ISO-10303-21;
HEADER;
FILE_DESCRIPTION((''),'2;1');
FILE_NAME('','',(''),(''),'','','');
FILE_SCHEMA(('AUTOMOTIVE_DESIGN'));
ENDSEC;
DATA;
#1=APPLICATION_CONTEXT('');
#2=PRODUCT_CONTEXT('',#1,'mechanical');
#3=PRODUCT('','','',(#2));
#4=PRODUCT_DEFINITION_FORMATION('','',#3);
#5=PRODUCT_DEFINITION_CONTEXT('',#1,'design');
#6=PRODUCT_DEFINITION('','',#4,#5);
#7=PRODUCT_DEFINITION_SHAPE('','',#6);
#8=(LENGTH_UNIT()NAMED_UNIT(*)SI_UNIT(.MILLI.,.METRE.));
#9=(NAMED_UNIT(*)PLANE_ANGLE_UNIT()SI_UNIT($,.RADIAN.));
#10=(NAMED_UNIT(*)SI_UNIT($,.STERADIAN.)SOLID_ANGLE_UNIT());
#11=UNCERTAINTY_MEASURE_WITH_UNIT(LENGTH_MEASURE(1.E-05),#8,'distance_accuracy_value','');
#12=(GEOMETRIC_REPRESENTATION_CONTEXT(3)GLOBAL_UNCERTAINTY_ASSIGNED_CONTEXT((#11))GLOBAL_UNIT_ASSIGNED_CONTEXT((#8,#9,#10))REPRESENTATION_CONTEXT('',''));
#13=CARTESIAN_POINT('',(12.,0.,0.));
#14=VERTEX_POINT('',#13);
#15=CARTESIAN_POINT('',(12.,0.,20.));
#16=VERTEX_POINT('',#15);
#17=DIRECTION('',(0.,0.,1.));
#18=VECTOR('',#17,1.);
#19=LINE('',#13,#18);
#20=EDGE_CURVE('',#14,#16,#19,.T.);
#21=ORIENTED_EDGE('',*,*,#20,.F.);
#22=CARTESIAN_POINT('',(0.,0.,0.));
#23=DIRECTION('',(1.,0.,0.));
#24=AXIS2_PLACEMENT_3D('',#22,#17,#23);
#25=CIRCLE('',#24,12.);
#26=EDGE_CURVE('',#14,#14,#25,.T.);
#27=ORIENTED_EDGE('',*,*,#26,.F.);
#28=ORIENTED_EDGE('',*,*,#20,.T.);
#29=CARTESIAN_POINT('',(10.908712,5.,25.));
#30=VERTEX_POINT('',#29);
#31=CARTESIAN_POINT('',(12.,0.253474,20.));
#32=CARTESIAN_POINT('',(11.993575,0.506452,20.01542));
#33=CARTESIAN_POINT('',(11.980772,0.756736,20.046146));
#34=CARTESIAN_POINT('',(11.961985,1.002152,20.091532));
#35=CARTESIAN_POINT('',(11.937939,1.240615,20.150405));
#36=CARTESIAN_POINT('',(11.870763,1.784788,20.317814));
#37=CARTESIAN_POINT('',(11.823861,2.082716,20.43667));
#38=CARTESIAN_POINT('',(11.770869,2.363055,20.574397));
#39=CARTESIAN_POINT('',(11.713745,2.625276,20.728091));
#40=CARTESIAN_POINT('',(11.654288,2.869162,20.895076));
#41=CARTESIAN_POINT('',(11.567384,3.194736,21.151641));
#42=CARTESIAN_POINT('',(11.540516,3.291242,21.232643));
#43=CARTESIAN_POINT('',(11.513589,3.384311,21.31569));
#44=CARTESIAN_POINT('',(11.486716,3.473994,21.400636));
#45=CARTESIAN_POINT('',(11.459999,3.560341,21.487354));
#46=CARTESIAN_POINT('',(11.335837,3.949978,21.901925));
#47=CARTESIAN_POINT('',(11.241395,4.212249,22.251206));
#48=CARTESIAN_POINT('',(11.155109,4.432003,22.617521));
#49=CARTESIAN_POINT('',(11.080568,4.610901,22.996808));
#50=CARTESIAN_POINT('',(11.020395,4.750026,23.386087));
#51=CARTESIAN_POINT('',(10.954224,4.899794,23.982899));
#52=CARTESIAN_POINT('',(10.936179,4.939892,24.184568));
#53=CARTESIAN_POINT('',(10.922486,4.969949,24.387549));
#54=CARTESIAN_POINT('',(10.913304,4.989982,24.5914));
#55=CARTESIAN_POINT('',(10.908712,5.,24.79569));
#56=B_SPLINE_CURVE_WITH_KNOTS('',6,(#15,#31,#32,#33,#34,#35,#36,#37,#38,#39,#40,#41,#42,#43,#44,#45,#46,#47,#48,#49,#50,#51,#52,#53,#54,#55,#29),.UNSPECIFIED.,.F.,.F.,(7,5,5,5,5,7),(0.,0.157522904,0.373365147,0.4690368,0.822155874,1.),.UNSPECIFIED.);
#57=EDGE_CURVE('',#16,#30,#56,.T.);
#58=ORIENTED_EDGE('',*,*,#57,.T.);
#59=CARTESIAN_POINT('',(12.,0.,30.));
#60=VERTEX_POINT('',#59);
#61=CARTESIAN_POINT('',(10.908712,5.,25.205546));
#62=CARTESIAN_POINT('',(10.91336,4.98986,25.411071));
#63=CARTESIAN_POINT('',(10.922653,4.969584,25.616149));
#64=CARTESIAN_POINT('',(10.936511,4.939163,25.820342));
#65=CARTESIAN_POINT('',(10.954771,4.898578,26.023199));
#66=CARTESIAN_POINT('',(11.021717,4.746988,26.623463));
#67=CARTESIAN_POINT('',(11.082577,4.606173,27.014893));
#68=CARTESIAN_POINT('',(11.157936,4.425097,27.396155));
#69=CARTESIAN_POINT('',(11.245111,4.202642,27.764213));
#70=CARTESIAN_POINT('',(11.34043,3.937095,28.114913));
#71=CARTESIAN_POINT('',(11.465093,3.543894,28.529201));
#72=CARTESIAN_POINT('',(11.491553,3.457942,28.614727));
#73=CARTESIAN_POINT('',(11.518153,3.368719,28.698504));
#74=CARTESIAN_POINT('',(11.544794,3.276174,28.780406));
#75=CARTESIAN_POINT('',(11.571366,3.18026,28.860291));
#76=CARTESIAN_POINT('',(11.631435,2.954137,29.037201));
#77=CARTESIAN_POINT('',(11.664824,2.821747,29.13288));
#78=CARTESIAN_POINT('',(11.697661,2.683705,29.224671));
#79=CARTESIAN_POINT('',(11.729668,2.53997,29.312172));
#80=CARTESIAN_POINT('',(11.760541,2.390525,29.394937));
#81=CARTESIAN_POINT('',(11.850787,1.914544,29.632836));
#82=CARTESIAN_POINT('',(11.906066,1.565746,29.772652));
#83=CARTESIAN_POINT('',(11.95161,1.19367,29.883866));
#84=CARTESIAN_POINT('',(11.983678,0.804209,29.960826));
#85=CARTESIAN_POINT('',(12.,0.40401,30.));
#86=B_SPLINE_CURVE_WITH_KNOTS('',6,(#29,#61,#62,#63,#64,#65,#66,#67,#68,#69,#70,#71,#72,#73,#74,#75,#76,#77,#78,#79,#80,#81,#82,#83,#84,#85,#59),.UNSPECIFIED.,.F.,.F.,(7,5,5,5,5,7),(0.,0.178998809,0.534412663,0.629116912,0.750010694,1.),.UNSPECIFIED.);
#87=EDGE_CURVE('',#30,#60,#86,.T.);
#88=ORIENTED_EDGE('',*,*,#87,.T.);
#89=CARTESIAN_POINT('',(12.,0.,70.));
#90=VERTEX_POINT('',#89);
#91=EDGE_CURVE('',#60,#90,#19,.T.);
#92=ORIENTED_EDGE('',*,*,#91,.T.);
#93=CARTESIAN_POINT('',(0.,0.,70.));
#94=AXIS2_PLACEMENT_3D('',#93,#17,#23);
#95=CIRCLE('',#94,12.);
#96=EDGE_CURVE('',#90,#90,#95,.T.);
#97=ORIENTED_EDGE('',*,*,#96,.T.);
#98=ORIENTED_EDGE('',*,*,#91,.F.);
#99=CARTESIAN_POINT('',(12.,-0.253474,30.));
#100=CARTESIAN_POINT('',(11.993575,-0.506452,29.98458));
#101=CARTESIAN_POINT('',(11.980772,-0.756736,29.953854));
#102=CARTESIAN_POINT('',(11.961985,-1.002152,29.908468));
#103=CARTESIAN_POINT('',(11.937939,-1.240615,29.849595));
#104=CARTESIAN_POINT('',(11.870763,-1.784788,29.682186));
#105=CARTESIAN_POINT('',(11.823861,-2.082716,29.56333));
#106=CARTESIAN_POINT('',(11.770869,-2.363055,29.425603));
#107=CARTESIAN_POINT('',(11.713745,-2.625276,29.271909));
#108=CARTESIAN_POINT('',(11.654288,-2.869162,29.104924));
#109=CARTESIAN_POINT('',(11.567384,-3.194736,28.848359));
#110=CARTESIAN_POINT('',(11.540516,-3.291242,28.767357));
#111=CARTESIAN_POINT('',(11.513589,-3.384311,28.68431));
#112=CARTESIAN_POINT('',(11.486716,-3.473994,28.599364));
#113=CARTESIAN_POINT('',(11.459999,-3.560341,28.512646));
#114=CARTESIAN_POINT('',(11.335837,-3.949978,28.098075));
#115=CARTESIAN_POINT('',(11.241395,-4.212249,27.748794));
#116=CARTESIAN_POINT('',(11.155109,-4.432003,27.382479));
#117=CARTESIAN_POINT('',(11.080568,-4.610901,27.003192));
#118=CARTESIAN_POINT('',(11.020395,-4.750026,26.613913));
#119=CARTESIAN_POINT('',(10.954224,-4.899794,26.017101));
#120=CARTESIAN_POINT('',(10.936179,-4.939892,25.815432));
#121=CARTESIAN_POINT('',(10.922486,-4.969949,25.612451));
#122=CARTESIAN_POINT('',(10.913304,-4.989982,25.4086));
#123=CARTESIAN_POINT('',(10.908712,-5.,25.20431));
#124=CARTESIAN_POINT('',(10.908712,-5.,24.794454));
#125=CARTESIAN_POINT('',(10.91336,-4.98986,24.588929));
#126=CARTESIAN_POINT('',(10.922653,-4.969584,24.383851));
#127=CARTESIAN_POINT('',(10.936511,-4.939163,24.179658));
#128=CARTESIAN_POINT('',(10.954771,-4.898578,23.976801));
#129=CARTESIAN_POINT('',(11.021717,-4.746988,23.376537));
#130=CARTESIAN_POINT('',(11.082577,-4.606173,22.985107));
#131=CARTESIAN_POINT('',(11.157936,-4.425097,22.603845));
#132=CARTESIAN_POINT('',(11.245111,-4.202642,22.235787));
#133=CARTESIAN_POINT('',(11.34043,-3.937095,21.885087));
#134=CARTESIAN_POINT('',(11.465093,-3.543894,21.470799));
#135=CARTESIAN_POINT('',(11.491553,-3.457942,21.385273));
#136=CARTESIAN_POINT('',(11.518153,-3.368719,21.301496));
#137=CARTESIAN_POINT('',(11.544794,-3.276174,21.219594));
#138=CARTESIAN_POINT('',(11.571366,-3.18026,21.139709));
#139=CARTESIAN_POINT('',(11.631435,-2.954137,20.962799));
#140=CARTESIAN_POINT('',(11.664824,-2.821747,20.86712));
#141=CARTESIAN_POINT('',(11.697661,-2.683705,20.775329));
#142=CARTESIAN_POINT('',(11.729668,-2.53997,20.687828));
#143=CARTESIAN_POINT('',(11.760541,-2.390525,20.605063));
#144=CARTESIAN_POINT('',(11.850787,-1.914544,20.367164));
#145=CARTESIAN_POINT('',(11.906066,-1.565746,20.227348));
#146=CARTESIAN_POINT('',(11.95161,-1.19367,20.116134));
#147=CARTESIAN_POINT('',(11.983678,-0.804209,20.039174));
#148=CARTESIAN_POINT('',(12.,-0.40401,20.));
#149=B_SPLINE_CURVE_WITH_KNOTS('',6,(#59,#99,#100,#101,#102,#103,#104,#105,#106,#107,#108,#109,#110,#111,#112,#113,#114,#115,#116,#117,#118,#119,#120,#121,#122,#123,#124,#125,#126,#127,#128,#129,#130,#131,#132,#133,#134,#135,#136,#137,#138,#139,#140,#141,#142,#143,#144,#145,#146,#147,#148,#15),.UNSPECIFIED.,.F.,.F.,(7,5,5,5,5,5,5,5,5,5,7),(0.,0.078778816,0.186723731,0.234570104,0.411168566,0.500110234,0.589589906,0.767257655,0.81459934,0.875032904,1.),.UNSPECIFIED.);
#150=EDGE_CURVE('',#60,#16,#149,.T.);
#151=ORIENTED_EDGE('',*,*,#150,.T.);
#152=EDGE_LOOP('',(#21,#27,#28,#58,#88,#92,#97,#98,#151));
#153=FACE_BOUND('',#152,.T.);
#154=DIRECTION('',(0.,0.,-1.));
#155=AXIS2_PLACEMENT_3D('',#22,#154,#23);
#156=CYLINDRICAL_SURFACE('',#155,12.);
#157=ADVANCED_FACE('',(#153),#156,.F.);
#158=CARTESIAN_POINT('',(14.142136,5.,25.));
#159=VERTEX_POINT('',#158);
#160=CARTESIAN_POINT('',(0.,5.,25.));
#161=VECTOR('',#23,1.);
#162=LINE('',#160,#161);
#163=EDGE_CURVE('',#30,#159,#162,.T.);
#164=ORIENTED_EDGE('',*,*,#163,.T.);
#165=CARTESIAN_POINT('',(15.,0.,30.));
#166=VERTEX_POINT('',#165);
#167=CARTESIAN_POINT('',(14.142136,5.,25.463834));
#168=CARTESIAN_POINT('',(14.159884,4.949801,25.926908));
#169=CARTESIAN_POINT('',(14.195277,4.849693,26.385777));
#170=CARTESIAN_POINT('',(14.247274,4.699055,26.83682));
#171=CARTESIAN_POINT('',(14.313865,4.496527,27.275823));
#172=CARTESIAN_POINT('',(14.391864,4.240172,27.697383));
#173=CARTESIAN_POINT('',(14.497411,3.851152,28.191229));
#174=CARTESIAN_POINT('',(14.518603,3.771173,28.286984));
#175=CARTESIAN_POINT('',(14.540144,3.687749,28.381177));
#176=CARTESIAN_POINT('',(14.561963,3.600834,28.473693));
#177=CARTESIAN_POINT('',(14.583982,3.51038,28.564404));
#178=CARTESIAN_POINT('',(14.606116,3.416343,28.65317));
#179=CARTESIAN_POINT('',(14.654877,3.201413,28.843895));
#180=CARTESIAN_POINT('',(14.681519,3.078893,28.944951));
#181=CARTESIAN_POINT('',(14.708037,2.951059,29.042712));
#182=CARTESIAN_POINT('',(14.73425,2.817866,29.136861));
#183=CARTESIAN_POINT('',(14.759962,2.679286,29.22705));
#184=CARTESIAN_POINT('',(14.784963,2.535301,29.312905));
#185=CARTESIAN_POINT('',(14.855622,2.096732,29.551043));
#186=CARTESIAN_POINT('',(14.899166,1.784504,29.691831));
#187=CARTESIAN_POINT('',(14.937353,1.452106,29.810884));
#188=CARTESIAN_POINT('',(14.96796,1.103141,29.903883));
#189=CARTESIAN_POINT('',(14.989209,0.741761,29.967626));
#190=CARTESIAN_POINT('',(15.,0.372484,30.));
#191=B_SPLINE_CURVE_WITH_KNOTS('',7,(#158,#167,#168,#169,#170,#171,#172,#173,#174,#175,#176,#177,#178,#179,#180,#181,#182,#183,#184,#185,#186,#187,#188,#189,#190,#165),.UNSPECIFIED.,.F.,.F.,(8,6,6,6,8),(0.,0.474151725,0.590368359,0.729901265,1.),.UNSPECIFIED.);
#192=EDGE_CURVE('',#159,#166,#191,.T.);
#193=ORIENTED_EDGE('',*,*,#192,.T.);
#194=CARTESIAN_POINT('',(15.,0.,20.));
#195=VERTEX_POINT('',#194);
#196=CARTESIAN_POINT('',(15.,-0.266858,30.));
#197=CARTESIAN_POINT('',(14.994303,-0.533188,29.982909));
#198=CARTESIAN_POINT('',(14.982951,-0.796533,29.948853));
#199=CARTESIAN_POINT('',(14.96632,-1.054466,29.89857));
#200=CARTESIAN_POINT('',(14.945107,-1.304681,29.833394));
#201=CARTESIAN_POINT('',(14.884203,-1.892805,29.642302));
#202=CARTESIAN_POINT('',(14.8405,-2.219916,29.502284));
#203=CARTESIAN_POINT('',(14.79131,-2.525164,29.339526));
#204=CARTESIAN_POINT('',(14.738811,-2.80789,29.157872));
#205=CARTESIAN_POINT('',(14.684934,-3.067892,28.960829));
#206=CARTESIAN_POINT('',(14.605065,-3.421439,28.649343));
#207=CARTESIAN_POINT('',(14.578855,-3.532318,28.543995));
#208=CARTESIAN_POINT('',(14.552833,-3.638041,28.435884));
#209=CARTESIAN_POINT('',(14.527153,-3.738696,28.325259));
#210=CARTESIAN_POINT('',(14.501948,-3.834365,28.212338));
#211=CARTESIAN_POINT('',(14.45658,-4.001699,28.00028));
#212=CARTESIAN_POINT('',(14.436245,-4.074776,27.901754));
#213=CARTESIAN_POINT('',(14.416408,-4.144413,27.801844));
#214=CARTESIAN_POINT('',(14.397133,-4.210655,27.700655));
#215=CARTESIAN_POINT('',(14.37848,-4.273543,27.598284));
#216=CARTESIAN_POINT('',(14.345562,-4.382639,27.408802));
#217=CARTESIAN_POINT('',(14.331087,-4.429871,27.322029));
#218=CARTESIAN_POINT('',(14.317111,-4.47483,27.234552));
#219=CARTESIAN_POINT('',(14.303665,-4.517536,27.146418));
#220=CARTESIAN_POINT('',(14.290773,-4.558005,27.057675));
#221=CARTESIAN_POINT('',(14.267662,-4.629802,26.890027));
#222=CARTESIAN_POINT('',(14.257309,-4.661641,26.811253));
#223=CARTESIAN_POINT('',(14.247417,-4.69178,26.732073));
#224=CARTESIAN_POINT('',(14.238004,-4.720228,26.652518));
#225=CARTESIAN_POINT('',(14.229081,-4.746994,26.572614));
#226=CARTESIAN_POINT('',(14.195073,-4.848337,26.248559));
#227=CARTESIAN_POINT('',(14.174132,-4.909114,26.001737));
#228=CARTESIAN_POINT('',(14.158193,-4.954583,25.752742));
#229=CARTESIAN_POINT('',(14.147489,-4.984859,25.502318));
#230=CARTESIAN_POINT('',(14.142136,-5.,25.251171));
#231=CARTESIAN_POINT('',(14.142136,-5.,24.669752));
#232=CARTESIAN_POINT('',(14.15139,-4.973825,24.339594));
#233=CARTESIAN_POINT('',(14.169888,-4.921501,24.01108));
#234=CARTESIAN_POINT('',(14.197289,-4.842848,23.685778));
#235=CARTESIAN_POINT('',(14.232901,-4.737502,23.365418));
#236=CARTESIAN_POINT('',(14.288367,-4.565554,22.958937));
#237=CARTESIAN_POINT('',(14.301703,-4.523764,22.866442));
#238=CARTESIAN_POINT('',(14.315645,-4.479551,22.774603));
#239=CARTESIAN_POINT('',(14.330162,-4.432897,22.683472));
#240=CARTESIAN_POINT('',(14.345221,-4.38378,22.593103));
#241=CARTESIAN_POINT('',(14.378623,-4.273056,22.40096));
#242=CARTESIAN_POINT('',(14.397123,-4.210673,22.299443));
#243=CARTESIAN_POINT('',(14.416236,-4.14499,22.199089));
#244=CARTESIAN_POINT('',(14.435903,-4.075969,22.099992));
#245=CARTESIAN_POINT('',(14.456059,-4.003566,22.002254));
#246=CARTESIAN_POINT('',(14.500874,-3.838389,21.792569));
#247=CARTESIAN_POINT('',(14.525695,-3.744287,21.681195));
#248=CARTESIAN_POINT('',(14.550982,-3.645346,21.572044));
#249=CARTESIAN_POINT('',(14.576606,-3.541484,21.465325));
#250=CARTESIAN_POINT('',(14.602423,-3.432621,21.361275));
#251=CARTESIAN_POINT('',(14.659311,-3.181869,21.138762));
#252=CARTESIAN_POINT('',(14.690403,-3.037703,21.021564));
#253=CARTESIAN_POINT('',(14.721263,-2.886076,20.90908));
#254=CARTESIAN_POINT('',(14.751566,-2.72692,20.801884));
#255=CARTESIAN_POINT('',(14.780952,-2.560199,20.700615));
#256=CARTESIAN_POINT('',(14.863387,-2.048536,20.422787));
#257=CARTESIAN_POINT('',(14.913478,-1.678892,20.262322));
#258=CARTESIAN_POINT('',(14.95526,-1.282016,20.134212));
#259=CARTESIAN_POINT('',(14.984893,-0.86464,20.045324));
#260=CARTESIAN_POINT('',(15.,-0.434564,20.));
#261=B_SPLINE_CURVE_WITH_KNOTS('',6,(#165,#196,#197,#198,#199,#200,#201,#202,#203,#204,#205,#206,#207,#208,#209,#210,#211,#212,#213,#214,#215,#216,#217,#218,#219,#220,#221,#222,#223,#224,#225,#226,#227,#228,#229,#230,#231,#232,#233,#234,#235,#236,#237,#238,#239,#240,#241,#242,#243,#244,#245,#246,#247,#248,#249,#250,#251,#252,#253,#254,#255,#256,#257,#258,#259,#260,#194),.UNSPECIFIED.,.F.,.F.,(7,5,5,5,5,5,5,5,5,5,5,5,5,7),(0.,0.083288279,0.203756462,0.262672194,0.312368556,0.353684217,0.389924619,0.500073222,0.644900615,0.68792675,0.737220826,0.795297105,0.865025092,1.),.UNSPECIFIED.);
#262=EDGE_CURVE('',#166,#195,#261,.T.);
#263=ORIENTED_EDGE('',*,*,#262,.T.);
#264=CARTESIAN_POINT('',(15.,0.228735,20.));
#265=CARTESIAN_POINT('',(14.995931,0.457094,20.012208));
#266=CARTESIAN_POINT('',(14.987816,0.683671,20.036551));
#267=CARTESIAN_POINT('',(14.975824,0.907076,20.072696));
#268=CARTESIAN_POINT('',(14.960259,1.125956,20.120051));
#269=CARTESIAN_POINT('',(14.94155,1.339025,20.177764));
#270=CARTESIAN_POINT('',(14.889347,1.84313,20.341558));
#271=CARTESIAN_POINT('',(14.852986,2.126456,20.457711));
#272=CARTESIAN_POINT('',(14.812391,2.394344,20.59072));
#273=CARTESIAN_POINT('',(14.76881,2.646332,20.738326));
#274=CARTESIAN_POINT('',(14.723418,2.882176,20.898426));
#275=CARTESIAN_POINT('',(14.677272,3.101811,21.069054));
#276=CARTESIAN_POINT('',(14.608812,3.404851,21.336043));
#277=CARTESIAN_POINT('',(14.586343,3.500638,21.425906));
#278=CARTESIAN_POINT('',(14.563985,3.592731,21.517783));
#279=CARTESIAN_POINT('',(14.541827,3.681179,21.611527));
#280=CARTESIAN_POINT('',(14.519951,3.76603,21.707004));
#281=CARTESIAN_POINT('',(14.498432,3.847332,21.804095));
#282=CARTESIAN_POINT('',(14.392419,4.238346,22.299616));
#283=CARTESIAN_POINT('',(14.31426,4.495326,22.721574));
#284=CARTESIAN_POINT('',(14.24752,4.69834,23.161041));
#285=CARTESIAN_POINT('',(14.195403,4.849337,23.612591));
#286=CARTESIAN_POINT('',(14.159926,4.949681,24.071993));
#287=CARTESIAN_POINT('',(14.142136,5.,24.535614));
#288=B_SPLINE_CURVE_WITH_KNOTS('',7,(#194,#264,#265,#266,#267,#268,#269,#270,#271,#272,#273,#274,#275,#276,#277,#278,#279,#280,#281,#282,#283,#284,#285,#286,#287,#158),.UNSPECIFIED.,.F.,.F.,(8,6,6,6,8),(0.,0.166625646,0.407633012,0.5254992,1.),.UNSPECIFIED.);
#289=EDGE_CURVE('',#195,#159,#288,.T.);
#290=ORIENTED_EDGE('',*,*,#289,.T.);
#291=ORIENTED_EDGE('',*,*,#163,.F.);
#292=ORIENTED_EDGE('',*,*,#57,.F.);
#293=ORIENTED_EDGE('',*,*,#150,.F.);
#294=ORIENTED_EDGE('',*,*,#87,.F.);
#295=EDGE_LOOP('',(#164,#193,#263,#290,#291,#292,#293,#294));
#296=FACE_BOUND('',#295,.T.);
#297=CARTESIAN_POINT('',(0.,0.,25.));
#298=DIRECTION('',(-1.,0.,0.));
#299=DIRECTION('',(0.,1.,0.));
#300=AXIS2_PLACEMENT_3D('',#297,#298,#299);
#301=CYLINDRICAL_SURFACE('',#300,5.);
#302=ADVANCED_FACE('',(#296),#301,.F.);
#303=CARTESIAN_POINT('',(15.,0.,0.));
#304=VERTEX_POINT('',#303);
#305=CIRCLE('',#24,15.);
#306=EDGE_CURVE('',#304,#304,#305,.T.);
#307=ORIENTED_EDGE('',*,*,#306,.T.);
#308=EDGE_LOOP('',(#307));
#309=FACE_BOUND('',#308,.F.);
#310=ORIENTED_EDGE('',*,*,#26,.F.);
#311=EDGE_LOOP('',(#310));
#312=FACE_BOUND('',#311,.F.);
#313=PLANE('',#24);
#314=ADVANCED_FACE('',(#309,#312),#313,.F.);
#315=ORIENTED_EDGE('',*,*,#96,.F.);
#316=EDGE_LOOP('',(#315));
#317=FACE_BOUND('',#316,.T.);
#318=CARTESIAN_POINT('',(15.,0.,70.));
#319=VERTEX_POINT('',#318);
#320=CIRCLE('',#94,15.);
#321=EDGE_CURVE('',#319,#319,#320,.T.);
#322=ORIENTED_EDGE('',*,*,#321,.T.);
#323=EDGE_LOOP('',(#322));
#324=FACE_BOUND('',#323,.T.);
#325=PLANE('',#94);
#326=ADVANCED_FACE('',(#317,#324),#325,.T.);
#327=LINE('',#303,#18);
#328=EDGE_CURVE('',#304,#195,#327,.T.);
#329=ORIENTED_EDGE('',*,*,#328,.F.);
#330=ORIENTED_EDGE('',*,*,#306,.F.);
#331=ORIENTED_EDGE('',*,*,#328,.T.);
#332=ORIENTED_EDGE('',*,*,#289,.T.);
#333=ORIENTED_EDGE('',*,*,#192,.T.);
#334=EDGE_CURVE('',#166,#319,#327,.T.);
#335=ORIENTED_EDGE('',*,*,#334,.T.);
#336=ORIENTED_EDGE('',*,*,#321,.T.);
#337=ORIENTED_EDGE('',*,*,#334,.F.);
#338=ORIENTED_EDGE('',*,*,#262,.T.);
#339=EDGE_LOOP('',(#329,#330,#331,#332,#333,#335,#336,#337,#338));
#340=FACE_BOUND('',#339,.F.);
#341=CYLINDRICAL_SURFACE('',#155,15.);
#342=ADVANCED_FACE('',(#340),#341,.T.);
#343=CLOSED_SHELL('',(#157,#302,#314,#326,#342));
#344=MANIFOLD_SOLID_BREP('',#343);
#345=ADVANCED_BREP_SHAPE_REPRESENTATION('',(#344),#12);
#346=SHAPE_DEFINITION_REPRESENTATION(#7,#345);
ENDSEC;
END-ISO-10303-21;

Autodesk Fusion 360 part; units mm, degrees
sketch "Sketch1" plane through (0, 0, 0) normal (0, 0, 1) x (1, 0, 0)
  circle A0 centre (0, 0) radius 15
  circle A1 centre (0, 0) radius 12
  dimension "d1" = 30
  dimension "d2" = -3
extrude "Extrude1" add sketch "Sketch1" along normal blind 70
sketch "Sketch2" plane through (0, 0, 0) normal (1, 0, 0) x (0, 1, 0)
  line L0 (0, 0) -> (0, 81)
  circle A0 centre (0, 25) radius 5
  dimension "d5" = 10
  dimension "d6" = 25
extrude "Extrude2" cut sketch "Sketch2" along normal through all
